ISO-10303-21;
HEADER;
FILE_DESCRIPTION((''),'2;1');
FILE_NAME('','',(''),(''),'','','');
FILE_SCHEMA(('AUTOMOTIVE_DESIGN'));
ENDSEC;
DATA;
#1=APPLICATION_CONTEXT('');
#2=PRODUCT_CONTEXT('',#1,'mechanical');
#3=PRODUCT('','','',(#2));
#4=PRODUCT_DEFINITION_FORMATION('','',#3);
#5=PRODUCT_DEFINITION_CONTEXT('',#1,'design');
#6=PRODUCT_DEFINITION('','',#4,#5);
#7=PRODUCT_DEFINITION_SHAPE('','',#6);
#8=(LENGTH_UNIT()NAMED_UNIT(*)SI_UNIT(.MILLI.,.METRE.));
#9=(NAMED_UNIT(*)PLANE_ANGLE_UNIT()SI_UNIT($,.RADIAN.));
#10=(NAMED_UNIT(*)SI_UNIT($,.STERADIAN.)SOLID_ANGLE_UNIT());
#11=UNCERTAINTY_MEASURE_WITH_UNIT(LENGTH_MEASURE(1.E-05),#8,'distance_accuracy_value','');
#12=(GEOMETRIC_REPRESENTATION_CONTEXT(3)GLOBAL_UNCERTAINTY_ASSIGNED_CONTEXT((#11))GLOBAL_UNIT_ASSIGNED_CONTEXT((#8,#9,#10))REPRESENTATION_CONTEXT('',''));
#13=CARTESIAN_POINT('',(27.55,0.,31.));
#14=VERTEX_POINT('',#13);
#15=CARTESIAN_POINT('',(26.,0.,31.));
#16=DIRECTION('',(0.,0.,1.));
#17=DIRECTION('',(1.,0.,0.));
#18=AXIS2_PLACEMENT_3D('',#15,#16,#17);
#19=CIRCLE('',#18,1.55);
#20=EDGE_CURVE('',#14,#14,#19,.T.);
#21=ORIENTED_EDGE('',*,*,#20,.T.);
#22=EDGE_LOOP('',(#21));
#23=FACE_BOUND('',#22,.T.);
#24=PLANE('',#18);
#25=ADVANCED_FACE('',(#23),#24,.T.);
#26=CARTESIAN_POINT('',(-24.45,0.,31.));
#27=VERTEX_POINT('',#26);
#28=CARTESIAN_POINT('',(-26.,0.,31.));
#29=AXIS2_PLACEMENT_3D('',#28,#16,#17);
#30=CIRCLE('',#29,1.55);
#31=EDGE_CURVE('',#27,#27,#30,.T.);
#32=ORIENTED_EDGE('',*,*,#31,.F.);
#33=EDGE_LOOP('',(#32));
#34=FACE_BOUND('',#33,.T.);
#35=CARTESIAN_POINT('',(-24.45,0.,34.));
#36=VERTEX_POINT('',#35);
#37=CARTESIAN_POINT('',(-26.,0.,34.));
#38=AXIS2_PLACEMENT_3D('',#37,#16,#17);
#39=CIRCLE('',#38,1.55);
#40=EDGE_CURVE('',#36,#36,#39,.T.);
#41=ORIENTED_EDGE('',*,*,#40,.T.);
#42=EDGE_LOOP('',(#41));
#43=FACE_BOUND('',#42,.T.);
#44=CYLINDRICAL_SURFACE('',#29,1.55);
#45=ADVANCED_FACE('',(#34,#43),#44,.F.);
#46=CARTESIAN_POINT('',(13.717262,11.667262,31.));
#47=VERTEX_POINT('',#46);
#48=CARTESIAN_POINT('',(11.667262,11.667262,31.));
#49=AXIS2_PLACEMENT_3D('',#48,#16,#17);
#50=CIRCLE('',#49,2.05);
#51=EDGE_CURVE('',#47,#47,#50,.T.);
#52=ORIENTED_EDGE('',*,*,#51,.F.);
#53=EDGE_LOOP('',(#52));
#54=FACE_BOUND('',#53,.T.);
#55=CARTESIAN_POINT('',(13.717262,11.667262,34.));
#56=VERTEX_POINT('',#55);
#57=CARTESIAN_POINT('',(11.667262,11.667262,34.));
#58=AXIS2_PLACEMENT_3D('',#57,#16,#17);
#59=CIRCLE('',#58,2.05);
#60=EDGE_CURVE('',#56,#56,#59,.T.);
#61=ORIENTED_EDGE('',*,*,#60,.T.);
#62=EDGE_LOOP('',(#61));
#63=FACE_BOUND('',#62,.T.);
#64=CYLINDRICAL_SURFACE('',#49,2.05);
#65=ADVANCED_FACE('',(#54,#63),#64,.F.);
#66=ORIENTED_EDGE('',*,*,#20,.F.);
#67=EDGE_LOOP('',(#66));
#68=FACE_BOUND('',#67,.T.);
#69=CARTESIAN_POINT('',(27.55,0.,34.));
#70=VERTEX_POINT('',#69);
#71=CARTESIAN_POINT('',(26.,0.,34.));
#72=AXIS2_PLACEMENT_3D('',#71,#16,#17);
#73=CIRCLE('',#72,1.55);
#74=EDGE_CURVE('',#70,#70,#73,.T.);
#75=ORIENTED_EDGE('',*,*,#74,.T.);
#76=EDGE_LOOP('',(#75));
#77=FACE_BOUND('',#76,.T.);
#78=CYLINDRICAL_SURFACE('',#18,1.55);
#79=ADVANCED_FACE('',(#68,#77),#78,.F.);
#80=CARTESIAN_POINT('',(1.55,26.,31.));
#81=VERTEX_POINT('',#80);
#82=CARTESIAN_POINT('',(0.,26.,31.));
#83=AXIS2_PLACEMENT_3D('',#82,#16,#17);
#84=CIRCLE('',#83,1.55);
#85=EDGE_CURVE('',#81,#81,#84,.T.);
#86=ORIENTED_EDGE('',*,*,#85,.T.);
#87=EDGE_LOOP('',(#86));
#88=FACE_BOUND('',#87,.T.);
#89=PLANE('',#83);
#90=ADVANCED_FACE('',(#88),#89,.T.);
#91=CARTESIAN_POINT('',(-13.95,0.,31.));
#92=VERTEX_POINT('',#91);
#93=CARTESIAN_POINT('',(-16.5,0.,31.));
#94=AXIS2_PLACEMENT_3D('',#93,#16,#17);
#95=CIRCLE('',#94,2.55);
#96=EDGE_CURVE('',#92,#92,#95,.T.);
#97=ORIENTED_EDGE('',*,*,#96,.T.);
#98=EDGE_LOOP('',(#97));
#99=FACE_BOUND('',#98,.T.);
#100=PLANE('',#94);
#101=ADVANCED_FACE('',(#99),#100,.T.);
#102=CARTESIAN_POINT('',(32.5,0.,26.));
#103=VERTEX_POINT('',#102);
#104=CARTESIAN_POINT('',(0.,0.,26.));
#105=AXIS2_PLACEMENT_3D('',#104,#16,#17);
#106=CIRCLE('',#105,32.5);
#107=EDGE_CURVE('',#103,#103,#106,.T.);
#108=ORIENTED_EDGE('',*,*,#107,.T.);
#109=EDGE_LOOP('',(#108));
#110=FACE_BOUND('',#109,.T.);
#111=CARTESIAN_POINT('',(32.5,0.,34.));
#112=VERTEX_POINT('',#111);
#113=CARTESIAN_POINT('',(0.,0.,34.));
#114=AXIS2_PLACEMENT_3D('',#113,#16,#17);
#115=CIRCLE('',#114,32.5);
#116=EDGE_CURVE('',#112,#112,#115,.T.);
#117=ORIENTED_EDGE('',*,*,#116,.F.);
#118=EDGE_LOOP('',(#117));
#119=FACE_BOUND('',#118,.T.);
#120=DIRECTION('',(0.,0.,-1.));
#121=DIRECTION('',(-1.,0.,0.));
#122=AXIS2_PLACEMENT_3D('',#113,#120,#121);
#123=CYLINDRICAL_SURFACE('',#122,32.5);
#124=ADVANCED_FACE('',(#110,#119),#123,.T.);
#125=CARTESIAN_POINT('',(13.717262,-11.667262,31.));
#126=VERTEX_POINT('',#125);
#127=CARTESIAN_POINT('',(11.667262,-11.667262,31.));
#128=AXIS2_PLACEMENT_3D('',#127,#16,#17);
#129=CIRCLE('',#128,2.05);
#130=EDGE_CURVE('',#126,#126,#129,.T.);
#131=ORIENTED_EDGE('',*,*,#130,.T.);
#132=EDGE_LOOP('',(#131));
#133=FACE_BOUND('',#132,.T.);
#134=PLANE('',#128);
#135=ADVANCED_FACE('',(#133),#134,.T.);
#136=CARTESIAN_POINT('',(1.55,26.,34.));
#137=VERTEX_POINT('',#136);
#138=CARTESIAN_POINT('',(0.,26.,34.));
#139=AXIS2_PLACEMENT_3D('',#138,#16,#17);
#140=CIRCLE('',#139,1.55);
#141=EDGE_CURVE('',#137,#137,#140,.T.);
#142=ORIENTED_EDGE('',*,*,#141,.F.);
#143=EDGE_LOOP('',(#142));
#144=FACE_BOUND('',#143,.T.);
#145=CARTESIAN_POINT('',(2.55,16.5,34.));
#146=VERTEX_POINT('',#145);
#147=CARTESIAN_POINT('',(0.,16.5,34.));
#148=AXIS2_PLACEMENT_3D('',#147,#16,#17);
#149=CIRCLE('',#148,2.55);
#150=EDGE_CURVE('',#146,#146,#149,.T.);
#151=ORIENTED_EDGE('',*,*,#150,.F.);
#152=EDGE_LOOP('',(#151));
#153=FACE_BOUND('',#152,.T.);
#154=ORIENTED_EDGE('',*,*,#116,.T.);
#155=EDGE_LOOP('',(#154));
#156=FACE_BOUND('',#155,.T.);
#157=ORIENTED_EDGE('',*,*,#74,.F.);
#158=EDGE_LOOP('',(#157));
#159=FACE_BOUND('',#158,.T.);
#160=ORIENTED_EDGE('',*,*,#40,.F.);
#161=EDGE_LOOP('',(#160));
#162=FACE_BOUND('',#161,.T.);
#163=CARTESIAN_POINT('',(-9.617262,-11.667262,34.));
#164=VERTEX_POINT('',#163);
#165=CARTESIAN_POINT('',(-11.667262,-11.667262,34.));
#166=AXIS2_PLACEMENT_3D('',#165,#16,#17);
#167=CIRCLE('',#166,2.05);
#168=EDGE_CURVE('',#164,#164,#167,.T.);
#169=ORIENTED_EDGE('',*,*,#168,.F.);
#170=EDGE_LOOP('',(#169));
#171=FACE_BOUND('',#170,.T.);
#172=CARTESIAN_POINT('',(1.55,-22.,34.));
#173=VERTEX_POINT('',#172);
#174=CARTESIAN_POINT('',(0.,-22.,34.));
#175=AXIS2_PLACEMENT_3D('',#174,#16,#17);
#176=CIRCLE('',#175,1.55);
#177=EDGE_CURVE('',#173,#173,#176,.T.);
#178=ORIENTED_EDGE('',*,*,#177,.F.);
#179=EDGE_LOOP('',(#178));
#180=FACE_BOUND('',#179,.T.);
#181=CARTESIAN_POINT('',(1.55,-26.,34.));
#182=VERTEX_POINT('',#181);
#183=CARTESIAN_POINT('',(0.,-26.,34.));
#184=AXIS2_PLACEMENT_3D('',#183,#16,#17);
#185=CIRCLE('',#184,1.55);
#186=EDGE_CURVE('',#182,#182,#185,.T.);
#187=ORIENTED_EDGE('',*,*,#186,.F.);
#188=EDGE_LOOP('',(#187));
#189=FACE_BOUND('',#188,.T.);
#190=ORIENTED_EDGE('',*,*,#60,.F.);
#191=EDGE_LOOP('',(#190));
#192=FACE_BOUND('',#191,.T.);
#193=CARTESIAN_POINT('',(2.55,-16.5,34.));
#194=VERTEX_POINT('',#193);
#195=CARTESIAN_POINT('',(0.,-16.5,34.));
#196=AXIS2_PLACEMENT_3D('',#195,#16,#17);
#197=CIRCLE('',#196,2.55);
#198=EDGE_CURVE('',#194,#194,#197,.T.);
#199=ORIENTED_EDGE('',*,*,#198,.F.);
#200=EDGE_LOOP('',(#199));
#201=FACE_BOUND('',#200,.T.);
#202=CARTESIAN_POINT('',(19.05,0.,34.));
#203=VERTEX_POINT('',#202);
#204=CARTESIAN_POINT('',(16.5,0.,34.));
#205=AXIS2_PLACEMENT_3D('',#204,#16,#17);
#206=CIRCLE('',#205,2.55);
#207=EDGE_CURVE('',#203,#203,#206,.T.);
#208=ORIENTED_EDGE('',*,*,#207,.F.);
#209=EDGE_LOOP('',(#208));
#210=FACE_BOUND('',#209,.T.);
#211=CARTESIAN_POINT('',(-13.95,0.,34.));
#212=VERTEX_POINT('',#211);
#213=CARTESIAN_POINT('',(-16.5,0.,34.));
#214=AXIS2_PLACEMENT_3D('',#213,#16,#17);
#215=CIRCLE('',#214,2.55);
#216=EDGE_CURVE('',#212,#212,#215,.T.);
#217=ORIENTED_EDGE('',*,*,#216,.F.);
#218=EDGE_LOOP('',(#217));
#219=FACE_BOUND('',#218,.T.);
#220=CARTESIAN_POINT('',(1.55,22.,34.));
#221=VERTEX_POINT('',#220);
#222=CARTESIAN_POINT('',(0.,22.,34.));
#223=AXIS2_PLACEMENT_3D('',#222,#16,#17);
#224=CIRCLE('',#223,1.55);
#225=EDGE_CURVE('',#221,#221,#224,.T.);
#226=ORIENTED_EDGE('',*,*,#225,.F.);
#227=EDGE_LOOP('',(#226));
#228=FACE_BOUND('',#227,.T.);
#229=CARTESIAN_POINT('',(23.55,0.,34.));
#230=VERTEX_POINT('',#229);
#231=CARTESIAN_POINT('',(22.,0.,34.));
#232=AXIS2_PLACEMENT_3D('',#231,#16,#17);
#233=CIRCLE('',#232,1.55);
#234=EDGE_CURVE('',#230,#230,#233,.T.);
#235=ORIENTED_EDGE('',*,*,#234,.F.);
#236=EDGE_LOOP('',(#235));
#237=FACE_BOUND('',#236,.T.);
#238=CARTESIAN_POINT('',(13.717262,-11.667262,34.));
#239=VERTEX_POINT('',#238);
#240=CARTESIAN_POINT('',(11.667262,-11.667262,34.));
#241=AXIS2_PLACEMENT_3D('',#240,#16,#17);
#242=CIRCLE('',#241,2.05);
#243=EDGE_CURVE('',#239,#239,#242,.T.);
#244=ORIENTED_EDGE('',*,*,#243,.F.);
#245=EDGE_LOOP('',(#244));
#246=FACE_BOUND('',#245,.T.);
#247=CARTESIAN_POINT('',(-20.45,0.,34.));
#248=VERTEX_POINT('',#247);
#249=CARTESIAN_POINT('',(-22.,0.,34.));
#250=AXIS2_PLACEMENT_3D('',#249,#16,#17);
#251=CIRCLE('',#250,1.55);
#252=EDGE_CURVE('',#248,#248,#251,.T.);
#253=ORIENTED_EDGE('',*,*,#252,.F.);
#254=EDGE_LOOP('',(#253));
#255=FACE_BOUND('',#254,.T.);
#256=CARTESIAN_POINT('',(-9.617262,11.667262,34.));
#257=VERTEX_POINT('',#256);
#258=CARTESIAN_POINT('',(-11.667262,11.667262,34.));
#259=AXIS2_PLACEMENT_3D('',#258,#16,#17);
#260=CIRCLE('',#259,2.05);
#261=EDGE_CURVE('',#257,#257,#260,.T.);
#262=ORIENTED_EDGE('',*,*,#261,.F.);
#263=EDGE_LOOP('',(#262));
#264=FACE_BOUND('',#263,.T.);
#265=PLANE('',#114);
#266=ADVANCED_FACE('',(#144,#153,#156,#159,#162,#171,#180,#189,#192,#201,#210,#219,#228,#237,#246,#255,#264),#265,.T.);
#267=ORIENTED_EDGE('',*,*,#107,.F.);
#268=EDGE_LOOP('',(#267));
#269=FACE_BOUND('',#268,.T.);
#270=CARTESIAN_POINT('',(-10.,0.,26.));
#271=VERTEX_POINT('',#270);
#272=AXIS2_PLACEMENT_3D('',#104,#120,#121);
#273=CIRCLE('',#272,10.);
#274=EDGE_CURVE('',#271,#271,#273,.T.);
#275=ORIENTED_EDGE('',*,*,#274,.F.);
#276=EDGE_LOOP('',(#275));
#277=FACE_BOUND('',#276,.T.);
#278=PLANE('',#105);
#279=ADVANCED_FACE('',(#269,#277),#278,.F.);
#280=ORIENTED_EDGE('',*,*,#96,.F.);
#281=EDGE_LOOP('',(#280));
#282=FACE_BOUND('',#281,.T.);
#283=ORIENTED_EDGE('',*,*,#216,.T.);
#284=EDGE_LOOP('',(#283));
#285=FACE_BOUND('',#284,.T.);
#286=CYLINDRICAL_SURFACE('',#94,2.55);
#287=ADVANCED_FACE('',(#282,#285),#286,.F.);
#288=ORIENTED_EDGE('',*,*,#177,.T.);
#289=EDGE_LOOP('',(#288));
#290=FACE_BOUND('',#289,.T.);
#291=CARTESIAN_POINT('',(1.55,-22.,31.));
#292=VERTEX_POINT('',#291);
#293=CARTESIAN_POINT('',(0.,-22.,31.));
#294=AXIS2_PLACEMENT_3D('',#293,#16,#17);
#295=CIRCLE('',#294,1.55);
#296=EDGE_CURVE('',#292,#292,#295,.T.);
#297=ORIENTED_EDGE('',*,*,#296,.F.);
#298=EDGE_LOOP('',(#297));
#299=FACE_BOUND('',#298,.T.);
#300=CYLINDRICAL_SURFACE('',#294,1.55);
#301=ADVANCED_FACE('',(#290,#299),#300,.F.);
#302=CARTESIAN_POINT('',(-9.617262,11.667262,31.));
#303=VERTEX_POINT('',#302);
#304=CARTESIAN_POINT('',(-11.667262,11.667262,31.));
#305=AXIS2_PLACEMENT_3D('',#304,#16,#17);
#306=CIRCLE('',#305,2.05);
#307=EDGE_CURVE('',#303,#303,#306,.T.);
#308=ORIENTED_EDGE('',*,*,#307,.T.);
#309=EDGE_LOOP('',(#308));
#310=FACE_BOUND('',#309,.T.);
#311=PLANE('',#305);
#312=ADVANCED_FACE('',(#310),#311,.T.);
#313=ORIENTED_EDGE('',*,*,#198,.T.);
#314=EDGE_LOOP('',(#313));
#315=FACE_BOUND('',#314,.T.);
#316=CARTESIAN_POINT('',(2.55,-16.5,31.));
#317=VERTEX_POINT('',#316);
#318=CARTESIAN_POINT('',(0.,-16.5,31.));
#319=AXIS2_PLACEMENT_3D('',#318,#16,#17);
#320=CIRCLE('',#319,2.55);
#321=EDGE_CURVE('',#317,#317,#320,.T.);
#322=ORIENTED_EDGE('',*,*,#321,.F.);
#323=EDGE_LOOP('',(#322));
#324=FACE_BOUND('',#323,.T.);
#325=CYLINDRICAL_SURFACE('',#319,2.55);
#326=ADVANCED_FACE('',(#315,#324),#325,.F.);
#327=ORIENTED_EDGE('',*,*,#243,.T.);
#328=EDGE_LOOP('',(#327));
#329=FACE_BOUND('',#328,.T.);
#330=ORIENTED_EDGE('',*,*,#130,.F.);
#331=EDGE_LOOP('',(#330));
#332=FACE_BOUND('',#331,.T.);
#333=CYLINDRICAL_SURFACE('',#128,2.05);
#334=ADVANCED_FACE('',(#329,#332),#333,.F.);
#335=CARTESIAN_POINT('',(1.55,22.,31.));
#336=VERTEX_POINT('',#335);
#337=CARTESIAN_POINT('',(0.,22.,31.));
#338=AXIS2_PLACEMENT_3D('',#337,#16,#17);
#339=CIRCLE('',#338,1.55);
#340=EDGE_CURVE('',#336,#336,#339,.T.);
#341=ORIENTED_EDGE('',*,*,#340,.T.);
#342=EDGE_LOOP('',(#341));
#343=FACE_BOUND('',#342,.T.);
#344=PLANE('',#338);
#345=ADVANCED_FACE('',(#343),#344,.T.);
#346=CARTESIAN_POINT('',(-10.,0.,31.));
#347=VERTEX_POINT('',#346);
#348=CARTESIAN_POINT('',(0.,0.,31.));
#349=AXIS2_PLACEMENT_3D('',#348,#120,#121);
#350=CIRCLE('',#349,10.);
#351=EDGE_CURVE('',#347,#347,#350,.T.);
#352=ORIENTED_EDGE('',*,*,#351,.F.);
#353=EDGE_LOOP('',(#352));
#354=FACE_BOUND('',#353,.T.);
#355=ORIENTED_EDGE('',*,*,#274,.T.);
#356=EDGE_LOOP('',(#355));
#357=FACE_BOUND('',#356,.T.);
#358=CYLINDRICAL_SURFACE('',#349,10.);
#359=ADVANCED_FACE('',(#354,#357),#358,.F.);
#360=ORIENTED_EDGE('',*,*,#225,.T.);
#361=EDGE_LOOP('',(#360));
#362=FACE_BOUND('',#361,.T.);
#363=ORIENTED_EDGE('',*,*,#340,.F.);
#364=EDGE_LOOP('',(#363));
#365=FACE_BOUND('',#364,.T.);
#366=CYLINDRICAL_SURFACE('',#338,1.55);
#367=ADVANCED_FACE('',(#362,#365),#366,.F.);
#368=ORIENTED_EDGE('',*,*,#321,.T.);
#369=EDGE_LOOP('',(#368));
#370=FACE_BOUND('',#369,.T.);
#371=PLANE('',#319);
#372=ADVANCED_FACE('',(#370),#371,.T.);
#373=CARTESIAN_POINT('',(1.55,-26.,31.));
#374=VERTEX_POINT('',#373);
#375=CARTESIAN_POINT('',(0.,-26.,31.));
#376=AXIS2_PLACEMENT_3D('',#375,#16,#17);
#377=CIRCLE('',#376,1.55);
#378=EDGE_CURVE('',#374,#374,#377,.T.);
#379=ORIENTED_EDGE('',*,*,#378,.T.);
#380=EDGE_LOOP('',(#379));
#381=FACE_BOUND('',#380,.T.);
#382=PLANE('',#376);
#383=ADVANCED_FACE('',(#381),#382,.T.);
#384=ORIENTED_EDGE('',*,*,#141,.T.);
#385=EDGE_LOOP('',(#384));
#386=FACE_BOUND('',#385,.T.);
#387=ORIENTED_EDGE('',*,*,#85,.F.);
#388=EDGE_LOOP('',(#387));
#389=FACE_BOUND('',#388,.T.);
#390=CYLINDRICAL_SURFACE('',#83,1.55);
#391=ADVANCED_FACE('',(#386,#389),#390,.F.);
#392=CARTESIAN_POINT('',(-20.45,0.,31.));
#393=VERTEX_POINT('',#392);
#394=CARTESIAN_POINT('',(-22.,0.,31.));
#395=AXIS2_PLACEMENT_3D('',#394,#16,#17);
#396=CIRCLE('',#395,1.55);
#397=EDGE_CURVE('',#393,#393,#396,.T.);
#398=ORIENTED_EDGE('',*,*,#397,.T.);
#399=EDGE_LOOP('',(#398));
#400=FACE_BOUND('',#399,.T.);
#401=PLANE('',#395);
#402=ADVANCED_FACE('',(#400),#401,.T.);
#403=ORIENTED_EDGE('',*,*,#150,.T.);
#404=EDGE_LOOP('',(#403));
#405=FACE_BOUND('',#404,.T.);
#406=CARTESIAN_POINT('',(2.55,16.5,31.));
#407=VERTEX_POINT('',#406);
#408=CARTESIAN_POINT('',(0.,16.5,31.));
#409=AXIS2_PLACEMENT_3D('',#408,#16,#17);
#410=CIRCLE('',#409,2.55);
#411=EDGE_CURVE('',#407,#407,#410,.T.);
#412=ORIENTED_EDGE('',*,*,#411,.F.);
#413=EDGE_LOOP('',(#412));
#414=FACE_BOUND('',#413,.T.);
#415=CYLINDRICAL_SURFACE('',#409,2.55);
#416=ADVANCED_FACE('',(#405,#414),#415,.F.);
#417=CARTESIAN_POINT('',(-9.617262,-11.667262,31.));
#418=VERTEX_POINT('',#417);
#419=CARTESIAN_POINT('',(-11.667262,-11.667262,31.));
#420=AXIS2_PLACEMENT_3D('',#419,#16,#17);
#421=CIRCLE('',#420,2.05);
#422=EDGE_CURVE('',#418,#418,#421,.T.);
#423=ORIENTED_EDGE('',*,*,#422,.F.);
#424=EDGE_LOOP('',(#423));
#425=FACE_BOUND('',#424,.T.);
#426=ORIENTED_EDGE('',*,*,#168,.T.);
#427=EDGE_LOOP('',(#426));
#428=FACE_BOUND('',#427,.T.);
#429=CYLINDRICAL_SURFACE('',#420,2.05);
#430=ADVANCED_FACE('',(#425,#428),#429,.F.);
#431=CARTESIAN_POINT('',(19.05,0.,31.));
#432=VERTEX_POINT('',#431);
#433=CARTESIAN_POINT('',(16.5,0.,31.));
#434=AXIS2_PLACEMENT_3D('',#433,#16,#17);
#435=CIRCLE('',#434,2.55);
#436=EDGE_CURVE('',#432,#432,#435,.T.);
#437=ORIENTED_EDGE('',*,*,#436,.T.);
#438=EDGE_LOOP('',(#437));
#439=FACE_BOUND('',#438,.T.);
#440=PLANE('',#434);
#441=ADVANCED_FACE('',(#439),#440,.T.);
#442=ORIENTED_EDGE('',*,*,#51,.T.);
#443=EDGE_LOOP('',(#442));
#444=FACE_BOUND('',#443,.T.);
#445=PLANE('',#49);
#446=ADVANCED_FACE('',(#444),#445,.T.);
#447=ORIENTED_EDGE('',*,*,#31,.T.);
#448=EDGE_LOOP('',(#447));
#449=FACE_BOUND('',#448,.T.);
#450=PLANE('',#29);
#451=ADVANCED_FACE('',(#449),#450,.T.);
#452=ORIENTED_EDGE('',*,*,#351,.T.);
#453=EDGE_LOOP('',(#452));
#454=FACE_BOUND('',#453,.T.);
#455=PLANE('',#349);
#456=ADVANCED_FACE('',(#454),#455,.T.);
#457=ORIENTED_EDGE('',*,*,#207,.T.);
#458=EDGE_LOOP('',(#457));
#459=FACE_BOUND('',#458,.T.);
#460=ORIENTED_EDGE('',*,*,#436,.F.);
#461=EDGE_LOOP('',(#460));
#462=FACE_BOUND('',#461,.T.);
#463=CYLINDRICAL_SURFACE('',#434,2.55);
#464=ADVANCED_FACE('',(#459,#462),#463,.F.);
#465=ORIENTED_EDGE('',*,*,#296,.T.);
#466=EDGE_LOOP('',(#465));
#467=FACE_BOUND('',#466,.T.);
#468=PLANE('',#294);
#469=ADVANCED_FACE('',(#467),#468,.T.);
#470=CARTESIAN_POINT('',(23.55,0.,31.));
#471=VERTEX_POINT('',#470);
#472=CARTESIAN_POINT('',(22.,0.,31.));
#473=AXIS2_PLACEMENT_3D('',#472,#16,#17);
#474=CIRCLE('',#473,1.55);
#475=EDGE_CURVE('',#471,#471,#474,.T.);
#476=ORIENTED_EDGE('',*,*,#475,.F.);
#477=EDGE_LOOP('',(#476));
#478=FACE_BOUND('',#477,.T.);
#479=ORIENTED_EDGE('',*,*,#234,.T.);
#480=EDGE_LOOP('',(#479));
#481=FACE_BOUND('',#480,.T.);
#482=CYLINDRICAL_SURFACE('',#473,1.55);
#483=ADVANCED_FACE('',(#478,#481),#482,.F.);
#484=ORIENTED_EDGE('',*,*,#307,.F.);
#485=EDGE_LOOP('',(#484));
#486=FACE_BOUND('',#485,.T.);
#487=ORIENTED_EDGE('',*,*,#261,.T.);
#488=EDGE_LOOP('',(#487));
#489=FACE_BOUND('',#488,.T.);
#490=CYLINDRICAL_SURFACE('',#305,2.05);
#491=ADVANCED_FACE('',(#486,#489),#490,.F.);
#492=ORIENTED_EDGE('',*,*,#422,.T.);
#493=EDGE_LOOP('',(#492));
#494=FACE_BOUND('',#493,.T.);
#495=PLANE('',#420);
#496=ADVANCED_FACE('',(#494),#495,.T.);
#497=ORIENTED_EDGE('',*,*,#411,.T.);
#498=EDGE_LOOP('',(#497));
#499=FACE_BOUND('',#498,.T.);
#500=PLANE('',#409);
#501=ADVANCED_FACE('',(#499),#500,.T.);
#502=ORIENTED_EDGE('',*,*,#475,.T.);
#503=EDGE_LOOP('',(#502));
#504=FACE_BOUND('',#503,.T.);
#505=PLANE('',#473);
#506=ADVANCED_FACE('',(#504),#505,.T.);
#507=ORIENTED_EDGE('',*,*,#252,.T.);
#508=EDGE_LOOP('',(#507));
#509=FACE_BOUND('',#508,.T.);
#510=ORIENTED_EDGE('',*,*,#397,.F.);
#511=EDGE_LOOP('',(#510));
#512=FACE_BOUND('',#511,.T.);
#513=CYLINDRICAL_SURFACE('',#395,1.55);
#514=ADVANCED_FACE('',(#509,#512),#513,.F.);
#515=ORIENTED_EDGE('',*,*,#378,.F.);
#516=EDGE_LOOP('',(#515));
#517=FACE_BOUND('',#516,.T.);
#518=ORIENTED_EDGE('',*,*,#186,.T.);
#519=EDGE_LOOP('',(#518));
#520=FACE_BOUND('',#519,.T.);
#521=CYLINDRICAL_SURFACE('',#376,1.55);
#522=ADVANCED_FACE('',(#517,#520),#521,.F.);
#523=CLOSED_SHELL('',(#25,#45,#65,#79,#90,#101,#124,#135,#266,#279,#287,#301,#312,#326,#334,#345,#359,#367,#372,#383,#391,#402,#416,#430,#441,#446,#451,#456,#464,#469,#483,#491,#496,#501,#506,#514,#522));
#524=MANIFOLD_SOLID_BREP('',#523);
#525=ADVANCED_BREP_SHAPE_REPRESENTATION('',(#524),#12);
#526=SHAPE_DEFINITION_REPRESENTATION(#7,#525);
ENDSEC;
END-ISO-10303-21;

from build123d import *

# Parameters (mm, degrees)
SKETCH1_R           = 55
BOSS_EXTRUDE1_DEPTH = 26
SKETCH2_R           = 1.5
CUT_EXTRUDE1_DEPTH  = 3
SKETCH3_R           = 32.5
BOSS_EXTRUDE2_DEPTH = 8
SKETCH4_R           = 2.55
SKETCH4_R_2         = 1.55
SKETCH4_R_3         = 2.05
CUT_EXTRUDE2_DEPTH  = 3
FILLET1_R           = 2
SKETCH9_R           = 75
CUT_EXTRUDE5_DEPTH  = 83.012194282
SKETCH11_R          = 10
CUT_EXTRUDE6_DEPTH  = 5


with BuildPart() as part:
    # Sketch1 → Boss-Extrude1 (new body)
    with BuildSketch(Plane.XY):
        with Locations(Location((0, 0, 0), (0, 0, 180))):
            Circle(SKETCH1_R)
    extrude(amount=BOSS_EXTRUDE1_DEPTH)

    # Sketch2 → Cut-Extrude1 (cut)
    with BuildSketch(Plane(origin=(0, 0, 0), x_dir=(-1, 0, 0), z_dir=(0, 0, -1))):
        with Locations((0, -21)):
            Circle(SKETCH2_R)
        with Locations((-14.849242405, -14.849242405)):
            Circle(SKETCH2_R)
        with Locations((-21, 0)):
            Circle(SKETCH2_R)
        with Locations((-14.849242405, 14.849242405)):
            Circle(SKETCH2_R)
        with Locations((0, 21)):
            Circle(SKETCH2_R)
        with Locations((14.849242405, 14.849242405)):
            Circle(SKETCH2_R)
        with Locations((21, 0)):
            Circle(SKETCH2_R)
        with Locations((14.849242405, -14.849242405)):
            Circle(SKETCH2_R)
    extrude(amount=-CUT_EXTRUDE1_DEPTH, mode=Mode.SUBTRACT)

    # Sketch3 → Boss-Extrude2 (add)
    with BuildSketch(Plane.XY.offset(26)):
        Circle(SKETCH3_R)
    extrude(amount=BOSS_EXTRUDE2_DEPTH)

    # Sketch4 → Cut-Extrude2 (cut)
    with BuildSketch(Plane.XY.offset(34)):
        with Locations((-16.5, 0)):
            Circle(SKETCH4_R)
        with Locations((0, -16.5)):
            Circle(SKETCH4_R)
        with Locations((16.5, 0)):
            Circle(SKETCH4_R)
        with Locations((0, 16.5)):
            Circle(SKETCH4_R)
        with Locations((0, 26)):
            Circle(SKETCH4_R_2)
        with Locations((0, 22)):
            Circle(SKETCH4_R_2)
        with Locations((-11.66726189, -11.66726189)):
            Circle(SKETCH4_R_3)
        with Locations((11.66726189, -11.66726189)):
            Circle(SKETCH4_R_3)
        with Locations((11.66726189, 11.66726189)):
            Circle(SKETCH4_R_3)
        with Locations((-11.66726189, 11.66726189)):
            Circle(SKETCH4_R_3)
        with Locations((-22, 0)):
            Circle(SKETCH4_R_2)
        with Locations((-26, 0)):
            Circle(SKETCH4_R_2)
        with Locations((0, -22)):
            Circle(SKETCH4_R_2)
        with Locations((0, -26)):
            Circle(SKETCH4_R_2)
        with Locations((22, 0)):
            Circle(SKETCH4_R_2)
        with Locations((26, 0)):
            Circle(SKETCH4_R_2)
    extrude(amount=-CUT_EXTRUDE2_DEPTH, mode=Mode.SUBTRACT)

    # Fillet1
    fillet1_edges = [part.edges().sort_by_distance(p)[0] for p in [
        (55, 0, 0),
        (55, 0, 26),
    ]]
    fillet(fillet1_edges, radius=FILLET1_R)

    # Sketch9 → Cut-Extrude5 (cut, through all)
    with BuildSketch(Plane.XY.offset(26)):
        Circle(SKETCH9_R)
    extrude(amount=-CUT_EXTRUDE5_DEPTH, mode=Mode.SUBTRACT)

    # Sketch11 → Cut-Extrude6 (cut)
    with BuildSketch(Plane(origin=(0, 0, 26), x_dir=(-1, 0, 0), z_dir=(0, 0, -1))):
        Circle(SKETCH11_R)
    extrude(amount=-CUT_EXTRUDE6_DEPTH, mode=Mode.SUBTRACT)


solid = part.part
